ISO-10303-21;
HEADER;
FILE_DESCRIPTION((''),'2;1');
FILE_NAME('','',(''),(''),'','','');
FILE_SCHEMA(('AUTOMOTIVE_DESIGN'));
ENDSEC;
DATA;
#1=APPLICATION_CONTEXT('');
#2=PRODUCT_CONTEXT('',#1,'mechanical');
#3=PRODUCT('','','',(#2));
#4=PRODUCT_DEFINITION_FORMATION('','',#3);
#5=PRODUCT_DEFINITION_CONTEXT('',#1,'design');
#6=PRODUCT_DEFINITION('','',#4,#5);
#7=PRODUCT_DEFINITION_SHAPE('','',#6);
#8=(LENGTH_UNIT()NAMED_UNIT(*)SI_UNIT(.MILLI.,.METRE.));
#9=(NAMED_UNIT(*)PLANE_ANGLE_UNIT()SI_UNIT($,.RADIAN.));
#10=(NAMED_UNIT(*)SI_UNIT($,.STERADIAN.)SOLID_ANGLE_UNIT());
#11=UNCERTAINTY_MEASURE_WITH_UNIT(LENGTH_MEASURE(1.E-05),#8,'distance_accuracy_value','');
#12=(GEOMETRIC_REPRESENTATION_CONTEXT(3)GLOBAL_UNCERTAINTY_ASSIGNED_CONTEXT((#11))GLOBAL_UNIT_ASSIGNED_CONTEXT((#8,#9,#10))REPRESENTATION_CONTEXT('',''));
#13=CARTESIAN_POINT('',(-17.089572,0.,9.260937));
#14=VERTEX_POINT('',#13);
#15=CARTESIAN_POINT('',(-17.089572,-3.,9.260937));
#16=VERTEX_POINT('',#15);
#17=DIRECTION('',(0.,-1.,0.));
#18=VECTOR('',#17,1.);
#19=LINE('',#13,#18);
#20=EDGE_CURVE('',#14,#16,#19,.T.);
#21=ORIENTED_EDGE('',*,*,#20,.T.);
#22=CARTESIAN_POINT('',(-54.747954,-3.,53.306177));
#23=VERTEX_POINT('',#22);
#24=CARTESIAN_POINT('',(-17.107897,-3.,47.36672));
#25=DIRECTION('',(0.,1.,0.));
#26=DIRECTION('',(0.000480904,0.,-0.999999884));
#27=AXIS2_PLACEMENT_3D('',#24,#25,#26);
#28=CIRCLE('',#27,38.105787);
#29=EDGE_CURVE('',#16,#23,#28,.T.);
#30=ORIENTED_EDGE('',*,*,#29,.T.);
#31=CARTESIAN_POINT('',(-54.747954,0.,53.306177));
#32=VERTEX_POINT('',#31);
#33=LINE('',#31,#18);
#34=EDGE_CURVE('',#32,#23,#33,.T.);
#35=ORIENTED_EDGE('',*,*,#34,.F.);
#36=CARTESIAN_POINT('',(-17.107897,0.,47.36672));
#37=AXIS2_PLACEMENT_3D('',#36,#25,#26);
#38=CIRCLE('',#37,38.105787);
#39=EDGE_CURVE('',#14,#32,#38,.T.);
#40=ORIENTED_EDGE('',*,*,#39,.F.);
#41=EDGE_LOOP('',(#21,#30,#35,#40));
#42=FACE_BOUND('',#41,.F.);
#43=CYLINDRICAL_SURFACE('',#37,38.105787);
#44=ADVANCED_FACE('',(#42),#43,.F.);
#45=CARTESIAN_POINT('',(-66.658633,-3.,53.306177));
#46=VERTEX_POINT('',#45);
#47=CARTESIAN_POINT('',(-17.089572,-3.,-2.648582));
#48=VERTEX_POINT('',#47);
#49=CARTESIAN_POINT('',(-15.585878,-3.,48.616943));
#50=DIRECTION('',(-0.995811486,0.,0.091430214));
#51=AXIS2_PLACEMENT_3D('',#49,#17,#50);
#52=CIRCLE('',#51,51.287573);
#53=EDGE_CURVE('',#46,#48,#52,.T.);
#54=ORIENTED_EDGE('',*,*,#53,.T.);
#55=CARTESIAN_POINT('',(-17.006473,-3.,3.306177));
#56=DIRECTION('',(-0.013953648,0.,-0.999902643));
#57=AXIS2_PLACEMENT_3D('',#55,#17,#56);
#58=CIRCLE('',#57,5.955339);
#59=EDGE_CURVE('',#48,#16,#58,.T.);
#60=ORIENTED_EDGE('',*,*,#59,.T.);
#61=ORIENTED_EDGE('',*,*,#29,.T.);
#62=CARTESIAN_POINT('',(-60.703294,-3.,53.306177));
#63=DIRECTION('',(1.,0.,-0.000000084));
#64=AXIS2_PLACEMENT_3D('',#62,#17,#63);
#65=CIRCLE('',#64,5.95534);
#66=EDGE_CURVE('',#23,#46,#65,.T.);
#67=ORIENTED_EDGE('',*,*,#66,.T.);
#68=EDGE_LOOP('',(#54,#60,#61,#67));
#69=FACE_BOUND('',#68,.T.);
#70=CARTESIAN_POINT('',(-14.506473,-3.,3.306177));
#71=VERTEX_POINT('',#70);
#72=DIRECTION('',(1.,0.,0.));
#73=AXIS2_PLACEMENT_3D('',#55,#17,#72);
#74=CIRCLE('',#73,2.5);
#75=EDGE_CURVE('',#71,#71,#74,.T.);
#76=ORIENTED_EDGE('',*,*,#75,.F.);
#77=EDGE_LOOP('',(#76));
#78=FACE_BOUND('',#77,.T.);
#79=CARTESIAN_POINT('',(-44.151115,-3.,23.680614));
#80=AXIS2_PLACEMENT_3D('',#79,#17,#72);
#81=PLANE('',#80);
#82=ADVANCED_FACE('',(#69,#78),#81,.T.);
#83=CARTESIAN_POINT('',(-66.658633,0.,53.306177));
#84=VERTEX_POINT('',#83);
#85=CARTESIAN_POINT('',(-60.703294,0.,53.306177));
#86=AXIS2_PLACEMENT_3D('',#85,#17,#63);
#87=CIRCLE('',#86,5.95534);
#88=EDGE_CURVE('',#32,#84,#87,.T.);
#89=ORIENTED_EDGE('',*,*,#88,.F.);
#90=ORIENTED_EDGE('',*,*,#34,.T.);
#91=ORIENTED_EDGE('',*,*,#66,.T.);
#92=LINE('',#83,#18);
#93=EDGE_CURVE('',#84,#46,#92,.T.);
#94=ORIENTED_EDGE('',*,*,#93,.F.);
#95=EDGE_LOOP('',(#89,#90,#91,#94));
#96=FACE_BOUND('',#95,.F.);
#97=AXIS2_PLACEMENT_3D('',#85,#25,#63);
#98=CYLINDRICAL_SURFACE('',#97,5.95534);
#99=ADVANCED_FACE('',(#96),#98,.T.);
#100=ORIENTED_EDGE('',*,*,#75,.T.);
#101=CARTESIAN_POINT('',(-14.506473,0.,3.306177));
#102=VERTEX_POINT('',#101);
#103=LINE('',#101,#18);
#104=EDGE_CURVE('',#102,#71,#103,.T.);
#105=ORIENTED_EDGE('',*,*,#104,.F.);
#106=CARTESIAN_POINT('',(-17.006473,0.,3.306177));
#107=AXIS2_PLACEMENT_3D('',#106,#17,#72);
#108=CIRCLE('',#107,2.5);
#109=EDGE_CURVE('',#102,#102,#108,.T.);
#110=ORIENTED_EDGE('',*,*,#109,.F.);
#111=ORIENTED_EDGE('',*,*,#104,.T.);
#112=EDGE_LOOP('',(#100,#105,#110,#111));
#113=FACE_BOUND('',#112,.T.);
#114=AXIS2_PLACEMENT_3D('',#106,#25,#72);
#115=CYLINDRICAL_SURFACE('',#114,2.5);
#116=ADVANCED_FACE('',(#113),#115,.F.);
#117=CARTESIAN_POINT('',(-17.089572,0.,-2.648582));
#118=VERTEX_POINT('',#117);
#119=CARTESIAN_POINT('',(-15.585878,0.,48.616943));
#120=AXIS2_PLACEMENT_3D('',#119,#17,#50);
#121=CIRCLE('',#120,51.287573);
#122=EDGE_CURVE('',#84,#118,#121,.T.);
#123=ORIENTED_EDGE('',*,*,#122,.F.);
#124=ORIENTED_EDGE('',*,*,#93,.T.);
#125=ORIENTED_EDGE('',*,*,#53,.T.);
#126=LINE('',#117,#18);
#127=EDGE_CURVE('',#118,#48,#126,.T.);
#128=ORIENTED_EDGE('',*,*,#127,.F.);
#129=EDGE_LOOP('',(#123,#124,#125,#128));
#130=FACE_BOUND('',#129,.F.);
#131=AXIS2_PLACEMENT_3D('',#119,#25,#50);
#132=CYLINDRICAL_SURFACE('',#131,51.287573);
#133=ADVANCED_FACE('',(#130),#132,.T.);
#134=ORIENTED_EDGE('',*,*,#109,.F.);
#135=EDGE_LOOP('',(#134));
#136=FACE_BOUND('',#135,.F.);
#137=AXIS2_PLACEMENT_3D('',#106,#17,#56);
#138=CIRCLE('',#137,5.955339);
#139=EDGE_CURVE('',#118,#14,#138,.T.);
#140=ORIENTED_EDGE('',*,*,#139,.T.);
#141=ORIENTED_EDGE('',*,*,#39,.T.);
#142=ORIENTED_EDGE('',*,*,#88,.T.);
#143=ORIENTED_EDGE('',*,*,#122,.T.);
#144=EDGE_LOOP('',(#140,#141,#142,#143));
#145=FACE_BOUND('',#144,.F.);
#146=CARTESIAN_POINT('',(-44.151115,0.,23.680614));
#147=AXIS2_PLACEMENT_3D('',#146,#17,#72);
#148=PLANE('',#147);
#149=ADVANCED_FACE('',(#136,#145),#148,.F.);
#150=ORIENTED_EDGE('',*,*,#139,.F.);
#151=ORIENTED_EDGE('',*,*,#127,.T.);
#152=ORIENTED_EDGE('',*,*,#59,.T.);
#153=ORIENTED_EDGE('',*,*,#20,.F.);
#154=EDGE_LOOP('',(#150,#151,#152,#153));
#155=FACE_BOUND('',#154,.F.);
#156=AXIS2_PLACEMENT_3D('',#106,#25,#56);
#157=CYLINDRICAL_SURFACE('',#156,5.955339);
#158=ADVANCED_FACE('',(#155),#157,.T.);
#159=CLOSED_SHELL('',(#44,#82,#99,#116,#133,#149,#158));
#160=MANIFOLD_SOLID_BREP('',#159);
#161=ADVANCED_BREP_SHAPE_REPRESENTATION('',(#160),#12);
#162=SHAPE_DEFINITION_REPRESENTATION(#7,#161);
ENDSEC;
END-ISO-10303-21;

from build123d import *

# Parameters (mm, degrees)
F0_R     = 2.5
F1_DEPTH = 3


with BuildPart() as f1:
    # F0 (on Front) → F1 (new body)
    with BuildSketch(Plane.XZ):
        with BuildLine():
            ThreePointArc((-54.747954, 53.306177), (-60.703294, 59.261517), (-66.658633, 53.306177))
            ThreePointArc((-66.658633, 53.306177), (-53.97604, 14.607964), (-17.089572, -2.648582))
            ThreePointArc((-17.089572, -2.648582), (-11.051134, 3.306177), (-17.089572, 9.260937))
            ThreePointArc((-17.089572, 9.260937), (-46.070709, 22.603712), (-54.747954, 53.306177))
        make_face()
        with Locations((-17.006473, 3.306177)):
            Circle(F0_R, mode=Mode.SUBTRACT)
    extrude(amount=F1_DEPTH)


solid = f1.part
